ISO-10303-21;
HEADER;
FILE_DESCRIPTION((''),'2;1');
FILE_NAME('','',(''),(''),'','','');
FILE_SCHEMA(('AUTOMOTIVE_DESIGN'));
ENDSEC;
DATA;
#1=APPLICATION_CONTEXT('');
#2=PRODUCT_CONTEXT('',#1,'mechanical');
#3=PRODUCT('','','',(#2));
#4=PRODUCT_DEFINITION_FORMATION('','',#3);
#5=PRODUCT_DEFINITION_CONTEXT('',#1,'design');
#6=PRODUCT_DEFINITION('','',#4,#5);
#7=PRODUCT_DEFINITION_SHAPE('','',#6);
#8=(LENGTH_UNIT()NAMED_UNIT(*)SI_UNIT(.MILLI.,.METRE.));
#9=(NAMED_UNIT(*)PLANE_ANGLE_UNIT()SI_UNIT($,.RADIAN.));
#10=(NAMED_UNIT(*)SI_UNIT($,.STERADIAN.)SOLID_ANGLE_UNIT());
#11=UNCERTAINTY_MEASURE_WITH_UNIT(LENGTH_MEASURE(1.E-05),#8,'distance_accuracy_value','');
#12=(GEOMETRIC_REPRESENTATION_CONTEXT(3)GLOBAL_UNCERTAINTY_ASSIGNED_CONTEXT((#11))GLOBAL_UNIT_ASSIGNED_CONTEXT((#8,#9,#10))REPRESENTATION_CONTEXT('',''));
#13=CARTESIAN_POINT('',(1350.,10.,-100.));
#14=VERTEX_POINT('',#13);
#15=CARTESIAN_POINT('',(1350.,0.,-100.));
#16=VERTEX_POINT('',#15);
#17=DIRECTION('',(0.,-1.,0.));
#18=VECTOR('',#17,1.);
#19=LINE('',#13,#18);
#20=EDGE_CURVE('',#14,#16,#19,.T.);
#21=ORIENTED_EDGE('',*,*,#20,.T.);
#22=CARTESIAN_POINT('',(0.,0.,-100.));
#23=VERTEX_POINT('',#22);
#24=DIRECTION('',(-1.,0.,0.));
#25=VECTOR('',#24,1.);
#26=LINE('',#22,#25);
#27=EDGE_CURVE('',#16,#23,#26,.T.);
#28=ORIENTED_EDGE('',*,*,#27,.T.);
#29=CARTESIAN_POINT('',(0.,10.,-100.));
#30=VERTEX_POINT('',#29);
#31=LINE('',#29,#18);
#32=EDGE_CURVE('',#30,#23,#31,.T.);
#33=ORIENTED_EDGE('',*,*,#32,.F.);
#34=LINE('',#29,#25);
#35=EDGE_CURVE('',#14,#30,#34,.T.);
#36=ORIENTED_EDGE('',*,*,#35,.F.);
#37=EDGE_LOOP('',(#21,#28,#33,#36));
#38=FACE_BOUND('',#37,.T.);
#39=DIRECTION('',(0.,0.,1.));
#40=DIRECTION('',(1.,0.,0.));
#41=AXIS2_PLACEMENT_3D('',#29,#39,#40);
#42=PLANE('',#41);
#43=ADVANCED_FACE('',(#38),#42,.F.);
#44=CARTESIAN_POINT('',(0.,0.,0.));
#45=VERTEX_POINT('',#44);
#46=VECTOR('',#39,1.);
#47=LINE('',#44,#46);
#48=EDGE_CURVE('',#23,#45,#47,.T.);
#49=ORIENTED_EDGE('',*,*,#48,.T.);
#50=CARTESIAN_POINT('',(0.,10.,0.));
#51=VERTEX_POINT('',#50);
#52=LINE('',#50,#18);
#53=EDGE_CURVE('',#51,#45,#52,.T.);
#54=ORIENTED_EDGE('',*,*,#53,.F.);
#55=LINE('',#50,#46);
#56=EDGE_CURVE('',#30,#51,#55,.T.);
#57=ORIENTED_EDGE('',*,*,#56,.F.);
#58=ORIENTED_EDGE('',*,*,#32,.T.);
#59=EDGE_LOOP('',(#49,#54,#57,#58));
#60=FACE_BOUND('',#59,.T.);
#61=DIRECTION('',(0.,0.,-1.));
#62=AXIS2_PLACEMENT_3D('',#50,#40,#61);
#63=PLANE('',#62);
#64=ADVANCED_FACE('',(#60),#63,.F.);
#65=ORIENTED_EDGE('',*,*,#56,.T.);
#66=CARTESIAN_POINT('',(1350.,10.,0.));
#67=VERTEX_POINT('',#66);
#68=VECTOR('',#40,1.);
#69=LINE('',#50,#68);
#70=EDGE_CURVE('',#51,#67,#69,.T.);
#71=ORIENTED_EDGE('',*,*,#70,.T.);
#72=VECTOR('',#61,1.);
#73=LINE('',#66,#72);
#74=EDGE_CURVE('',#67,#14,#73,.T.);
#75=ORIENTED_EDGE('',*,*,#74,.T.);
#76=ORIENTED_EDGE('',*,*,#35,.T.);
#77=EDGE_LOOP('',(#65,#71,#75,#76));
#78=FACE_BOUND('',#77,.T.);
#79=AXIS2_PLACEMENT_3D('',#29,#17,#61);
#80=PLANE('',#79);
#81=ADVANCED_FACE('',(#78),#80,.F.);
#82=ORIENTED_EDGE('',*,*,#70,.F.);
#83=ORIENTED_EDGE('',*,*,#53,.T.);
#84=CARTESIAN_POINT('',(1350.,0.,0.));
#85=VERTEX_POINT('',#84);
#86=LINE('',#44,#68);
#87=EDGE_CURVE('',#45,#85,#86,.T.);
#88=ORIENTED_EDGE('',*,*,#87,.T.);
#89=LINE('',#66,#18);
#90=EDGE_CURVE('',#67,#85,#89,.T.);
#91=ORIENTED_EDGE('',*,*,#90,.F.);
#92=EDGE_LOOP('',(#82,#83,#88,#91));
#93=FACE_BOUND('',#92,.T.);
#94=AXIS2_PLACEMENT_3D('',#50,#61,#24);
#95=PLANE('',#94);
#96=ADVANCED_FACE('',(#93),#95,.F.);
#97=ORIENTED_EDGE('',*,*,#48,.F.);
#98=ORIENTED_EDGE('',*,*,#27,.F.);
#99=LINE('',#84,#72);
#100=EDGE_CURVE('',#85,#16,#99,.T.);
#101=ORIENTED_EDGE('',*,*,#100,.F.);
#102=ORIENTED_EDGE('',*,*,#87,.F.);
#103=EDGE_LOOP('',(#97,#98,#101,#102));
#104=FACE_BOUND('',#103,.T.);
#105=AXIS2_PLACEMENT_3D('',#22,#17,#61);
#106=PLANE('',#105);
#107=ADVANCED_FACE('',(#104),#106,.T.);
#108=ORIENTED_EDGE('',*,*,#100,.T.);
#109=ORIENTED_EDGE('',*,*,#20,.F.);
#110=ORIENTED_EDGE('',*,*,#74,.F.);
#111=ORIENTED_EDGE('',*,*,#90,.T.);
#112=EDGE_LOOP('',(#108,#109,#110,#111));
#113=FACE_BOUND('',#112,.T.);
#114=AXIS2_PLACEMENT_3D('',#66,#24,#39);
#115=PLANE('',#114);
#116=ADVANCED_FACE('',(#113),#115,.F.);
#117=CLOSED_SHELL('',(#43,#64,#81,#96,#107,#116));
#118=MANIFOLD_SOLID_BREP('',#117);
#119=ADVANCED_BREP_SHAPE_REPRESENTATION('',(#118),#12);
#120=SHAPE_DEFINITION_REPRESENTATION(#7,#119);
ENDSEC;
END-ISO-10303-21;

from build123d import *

# Parameters (mm, degrees)
ESQUISSE1_W      = 1350
ESQUISSE1_H      = 100
EXTRUSION1_DEPTH = 10


with BuildPart() as part:
    # Esquisse1 → Extrusion1 (new body)
    with BuildSketch(Plane(origin=(0, 0, 0), x_dir=(1, 0, 0), z_dir=(0, 1, 0))):
        with Locations((675, 50)):
            Rectangle(ESQUISSE1_W, ESQUISSE1_H)
    extrude(amount=EXTRUSION1_DEPTH)


solid = part.part
